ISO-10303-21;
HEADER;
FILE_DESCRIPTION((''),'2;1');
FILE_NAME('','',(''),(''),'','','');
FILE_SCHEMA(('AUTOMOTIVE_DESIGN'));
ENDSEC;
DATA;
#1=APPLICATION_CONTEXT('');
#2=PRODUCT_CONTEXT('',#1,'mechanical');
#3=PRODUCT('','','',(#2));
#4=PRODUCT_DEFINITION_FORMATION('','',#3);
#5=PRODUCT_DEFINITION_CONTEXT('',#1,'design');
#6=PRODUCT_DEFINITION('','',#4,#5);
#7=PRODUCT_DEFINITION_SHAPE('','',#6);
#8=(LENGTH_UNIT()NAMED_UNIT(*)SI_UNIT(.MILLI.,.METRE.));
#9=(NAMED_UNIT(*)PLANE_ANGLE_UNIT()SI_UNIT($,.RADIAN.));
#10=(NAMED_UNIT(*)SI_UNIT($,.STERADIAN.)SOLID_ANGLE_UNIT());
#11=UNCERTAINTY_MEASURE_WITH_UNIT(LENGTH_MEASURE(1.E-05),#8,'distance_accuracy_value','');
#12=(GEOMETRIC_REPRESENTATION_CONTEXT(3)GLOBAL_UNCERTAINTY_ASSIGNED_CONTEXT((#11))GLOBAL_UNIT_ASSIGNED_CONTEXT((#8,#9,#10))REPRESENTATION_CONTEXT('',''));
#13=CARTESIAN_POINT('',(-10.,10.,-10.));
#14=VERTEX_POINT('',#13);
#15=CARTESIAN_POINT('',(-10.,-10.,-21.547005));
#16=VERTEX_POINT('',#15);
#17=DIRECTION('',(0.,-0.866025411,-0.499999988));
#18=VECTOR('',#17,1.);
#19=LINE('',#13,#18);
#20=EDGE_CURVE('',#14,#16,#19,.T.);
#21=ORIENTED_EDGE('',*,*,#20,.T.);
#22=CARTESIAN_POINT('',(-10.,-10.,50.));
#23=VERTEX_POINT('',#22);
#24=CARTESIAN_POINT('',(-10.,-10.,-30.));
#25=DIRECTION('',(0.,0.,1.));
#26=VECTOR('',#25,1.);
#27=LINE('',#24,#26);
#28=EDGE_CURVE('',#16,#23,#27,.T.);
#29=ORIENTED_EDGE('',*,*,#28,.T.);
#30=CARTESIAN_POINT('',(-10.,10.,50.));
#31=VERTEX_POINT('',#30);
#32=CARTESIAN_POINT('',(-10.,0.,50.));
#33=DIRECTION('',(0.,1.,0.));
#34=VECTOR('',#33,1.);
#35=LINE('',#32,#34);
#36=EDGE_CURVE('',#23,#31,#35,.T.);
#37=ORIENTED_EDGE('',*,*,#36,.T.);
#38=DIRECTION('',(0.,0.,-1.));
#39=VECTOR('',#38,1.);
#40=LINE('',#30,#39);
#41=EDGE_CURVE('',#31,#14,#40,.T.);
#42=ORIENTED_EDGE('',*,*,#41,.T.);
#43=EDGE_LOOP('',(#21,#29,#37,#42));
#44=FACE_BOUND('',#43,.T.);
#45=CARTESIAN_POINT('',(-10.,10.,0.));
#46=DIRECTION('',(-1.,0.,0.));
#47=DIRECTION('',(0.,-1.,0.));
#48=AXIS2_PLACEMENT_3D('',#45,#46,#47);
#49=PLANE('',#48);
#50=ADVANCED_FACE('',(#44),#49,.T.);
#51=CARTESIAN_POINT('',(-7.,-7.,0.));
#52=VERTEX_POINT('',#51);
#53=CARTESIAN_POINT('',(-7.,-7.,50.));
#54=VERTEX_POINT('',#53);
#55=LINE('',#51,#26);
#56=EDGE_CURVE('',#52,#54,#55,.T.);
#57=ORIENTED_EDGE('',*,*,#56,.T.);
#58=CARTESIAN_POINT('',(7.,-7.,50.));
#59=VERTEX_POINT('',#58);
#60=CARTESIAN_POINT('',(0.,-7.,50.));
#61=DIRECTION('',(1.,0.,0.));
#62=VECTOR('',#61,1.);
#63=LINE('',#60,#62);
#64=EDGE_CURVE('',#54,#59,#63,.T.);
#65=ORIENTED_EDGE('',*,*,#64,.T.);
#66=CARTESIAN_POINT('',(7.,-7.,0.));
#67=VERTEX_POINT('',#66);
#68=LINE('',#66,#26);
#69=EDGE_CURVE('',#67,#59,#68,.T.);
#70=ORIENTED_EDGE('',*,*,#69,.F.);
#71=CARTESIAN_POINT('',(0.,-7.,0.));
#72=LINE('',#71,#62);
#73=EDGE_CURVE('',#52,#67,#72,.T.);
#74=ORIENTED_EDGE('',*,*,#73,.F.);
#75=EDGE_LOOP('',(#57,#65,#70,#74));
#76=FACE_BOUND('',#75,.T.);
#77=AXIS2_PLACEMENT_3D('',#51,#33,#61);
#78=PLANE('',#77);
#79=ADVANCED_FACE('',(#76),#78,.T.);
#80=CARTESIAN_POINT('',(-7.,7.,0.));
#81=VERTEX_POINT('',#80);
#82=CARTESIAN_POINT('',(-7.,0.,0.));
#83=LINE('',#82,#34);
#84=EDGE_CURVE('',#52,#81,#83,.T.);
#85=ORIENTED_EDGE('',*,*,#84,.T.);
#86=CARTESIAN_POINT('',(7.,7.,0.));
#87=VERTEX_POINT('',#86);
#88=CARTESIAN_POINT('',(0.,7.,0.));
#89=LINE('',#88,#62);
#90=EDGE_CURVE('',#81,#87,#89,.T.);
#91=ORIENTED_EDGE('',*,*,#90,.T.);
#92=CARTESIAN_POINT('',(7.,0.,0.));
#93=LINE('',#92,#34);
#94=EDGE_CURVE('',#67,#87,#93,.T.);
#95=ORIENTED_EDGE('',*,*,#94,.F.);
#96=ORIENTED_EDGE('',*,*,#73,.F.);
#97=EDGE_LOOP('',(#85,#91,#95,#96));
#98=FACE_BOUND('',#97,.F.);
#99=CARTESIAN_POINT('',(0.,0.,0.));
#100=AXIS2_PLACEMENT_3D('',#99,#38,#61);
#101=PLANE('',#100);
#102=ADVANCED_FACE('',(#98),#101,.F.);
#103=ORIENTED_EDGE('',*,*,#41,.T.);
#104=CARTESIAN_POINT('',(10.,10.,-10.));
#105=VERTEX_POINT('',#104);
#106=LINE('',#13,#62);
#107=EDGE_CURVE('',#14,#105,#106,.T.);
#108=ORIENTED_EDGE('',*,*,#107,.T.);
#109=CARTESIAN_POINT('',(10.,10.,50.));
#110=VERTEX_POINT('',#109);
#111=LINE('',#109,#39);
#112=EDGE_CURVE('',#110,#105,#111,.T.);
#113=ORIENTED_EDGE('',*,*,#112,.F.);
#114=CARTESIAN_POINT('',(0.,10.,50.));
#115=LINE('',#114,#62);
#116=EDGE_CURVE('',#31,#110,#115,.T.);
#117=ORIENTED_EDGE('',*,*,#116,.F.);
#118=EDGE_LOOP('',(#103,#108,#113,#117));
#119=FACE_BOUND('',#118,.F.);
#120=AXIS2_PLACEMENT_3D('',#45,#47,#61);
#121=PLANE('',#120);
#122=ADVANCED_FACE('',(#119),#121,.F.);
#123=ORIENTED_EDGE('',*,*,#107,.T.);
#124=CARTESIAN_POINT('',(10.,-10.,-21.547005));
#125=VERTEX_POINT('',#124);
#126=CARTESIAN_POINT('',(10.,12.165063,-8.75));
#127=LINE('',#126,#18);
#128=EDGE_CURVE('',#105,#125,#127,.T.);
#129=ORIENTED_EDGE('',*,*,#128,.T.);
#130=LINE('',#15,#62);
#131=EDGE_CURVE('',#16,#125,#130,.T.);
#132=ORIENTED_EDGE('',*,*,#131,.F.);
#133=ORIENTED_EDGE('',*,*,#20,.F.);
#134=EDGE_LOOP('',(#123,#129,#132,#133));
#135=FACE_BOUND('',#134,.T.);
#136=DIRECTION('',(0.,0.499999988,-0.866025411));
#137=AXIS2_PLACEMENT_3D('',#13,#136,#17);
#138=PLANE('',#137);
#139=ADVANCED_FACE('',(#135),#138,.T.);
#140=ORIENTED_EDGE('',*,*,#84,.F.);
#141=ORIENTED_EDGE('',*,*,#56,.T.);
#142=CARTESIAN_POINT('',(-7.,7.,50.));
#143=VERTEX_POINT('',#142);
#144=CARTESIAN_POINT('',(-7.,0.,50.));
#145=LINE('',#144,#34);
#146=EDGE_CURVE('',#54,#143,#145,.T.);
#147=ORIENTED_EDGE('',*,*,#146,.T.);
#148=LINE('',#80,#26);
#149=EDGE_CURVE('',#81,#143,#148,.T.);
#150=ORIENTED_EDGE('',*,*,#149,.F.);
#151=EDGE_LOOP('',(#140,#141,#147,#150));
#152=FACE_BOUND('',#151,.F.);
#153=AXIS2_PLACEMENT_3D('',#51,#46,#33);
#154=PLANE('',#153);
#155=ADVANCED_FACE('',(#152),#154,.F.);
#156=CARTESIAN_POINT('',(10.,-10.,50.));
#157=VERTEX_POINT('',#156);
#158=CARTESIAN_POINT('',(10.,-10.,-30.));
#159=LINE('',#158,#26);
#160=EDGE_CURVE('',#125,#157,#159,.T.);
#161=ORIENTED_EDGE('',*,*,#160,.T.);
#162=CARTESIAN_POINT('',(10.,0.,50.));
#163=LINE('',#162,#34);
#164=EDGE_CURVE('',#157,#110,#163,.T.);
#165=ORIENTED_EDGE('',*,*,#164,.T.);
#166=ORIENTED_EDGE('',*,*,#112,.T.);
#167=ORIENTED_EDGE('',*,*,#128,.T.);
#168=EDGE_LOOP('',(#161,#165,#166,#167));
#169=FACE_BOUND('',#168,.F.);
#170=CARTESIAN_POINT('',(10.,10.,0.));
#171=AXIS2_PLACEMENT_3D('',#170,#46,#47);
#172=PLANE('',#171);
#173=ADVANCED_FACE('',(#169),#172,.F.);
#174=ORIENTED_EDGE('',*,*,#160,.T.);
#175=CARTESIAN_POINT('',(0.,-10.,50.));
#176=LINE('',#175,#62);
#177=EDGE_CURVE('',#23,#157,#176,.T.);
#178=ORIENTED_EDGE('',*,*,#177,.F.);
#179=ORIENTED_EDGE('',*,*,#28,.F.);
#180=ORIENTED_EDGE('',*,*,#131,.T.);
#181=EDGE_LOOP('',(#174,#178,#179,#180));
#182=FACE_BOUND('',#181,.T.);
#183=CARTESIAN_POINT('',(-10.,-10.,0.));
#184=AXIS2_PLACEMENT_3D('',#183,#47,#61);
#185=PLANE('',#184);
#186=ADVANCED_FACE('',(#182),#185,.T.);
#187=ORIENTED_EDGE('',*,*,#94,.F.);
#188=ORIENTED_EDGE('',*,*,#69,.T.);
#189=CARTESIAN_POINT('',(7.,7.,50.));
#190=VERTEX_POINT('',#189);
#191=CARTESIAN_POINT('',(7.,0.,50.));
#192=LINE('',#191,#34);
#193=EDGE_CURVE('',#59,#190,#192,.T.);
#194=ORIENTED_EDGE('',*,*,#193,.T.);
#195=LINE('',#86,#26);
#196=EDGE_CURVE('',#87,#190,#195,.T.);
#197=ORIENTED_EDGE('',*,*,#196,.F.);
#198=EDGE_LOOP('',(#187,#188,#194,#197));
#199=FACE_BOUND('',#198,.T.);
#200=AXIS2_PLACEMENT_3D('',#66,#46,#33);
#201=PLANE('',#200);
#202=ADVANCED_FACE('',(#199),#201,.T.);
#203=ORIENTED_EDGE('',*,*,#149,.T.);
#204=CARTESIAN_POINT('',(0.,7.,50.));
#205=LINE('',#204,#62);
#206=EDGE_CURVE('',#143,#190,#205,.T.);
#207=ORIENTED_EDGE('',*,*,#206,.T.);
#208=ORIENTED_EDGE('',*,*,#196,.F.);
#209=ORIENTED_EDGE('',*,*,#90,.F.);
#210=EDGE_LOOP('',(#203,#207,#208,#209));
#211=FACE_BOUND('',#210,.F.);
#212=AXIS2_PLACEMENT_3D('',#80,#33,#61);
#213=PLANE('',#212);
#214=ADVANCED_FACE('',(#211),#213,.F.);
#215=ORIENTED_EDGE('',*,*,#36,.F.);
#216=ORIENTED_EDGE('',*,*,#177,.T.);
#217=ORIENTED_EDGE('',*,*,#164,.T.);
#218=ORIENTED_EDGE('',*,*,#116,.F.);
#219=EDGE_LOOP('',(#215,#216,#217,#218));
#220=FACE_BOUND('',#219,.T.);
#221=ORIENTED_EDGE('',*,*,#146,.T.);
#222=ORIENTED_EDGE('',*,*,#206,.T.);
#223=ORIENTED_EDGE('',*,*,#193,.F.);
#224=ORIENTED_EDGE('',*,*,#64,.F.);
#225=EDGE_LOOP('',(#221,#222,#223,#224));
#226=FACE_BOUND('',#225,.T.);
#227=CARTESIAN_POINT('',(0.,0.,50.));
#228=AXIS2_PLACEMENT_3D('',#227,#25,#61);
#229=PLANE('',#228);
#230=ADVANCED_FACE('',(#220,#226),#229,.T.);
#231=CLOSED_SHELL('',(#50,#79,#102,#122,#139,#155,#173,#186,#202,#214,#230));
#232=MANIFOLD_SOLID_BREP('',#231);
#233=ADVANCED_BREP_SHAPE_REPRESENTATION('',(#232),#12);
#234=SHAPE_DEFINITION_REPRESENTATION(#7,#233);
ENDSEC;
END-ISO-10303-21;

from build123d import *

# Parameters (mm, degrees)
SKETCH_W     = 20
SKETCH_H     = 20
SKETCH_W_2   = 14
SKETCH_H_2   = 14
PAD_DEPTH    = 50
SKETCH002_W  = 20
SKETCH002_H  = 20
PAD001_DEPTH = 30
POCKET_DEPTH = 20.001


with BuildPart() as part:
    # Sketch → Pad (new body)
    with BuildSketch(Plane.XY):
        Rectangle(SKETCH_W, SKETCH_H)
        Rectangle(SKETCH_W_2, SKETCH_H_2, mode=Mode.SUBTRACT)
    extrude(amount=PAD_DEPTH)

    # Sketch002 (on Face9 of Pad) → Pad001 (join)
    with BuildSketch(Plane(origin=(0, 0, 0), x_dir=(1, 0, 0), z_dir=(0, 0, -1))):
        Rectangle(SKETCH002_W, SKETCH002_H)
    extrude(amount=PAD001_DEPTH)

    # Sketch003 (on Face7 of Pad001) → Pocket (cut, through all)
    with BuildSketch(Plane(origin=(-10, 0, 0), x_dir=(0, -1, 0), z_dir=(-1, 0, 0))):
        Polygon((-10, -10), (10, -21.547005), (10, -30), (-10, -30), align=None)
    extrude(amount=-POCKET_DEPTH, mode=Mode.SUBTRACT)


solid = part.part
